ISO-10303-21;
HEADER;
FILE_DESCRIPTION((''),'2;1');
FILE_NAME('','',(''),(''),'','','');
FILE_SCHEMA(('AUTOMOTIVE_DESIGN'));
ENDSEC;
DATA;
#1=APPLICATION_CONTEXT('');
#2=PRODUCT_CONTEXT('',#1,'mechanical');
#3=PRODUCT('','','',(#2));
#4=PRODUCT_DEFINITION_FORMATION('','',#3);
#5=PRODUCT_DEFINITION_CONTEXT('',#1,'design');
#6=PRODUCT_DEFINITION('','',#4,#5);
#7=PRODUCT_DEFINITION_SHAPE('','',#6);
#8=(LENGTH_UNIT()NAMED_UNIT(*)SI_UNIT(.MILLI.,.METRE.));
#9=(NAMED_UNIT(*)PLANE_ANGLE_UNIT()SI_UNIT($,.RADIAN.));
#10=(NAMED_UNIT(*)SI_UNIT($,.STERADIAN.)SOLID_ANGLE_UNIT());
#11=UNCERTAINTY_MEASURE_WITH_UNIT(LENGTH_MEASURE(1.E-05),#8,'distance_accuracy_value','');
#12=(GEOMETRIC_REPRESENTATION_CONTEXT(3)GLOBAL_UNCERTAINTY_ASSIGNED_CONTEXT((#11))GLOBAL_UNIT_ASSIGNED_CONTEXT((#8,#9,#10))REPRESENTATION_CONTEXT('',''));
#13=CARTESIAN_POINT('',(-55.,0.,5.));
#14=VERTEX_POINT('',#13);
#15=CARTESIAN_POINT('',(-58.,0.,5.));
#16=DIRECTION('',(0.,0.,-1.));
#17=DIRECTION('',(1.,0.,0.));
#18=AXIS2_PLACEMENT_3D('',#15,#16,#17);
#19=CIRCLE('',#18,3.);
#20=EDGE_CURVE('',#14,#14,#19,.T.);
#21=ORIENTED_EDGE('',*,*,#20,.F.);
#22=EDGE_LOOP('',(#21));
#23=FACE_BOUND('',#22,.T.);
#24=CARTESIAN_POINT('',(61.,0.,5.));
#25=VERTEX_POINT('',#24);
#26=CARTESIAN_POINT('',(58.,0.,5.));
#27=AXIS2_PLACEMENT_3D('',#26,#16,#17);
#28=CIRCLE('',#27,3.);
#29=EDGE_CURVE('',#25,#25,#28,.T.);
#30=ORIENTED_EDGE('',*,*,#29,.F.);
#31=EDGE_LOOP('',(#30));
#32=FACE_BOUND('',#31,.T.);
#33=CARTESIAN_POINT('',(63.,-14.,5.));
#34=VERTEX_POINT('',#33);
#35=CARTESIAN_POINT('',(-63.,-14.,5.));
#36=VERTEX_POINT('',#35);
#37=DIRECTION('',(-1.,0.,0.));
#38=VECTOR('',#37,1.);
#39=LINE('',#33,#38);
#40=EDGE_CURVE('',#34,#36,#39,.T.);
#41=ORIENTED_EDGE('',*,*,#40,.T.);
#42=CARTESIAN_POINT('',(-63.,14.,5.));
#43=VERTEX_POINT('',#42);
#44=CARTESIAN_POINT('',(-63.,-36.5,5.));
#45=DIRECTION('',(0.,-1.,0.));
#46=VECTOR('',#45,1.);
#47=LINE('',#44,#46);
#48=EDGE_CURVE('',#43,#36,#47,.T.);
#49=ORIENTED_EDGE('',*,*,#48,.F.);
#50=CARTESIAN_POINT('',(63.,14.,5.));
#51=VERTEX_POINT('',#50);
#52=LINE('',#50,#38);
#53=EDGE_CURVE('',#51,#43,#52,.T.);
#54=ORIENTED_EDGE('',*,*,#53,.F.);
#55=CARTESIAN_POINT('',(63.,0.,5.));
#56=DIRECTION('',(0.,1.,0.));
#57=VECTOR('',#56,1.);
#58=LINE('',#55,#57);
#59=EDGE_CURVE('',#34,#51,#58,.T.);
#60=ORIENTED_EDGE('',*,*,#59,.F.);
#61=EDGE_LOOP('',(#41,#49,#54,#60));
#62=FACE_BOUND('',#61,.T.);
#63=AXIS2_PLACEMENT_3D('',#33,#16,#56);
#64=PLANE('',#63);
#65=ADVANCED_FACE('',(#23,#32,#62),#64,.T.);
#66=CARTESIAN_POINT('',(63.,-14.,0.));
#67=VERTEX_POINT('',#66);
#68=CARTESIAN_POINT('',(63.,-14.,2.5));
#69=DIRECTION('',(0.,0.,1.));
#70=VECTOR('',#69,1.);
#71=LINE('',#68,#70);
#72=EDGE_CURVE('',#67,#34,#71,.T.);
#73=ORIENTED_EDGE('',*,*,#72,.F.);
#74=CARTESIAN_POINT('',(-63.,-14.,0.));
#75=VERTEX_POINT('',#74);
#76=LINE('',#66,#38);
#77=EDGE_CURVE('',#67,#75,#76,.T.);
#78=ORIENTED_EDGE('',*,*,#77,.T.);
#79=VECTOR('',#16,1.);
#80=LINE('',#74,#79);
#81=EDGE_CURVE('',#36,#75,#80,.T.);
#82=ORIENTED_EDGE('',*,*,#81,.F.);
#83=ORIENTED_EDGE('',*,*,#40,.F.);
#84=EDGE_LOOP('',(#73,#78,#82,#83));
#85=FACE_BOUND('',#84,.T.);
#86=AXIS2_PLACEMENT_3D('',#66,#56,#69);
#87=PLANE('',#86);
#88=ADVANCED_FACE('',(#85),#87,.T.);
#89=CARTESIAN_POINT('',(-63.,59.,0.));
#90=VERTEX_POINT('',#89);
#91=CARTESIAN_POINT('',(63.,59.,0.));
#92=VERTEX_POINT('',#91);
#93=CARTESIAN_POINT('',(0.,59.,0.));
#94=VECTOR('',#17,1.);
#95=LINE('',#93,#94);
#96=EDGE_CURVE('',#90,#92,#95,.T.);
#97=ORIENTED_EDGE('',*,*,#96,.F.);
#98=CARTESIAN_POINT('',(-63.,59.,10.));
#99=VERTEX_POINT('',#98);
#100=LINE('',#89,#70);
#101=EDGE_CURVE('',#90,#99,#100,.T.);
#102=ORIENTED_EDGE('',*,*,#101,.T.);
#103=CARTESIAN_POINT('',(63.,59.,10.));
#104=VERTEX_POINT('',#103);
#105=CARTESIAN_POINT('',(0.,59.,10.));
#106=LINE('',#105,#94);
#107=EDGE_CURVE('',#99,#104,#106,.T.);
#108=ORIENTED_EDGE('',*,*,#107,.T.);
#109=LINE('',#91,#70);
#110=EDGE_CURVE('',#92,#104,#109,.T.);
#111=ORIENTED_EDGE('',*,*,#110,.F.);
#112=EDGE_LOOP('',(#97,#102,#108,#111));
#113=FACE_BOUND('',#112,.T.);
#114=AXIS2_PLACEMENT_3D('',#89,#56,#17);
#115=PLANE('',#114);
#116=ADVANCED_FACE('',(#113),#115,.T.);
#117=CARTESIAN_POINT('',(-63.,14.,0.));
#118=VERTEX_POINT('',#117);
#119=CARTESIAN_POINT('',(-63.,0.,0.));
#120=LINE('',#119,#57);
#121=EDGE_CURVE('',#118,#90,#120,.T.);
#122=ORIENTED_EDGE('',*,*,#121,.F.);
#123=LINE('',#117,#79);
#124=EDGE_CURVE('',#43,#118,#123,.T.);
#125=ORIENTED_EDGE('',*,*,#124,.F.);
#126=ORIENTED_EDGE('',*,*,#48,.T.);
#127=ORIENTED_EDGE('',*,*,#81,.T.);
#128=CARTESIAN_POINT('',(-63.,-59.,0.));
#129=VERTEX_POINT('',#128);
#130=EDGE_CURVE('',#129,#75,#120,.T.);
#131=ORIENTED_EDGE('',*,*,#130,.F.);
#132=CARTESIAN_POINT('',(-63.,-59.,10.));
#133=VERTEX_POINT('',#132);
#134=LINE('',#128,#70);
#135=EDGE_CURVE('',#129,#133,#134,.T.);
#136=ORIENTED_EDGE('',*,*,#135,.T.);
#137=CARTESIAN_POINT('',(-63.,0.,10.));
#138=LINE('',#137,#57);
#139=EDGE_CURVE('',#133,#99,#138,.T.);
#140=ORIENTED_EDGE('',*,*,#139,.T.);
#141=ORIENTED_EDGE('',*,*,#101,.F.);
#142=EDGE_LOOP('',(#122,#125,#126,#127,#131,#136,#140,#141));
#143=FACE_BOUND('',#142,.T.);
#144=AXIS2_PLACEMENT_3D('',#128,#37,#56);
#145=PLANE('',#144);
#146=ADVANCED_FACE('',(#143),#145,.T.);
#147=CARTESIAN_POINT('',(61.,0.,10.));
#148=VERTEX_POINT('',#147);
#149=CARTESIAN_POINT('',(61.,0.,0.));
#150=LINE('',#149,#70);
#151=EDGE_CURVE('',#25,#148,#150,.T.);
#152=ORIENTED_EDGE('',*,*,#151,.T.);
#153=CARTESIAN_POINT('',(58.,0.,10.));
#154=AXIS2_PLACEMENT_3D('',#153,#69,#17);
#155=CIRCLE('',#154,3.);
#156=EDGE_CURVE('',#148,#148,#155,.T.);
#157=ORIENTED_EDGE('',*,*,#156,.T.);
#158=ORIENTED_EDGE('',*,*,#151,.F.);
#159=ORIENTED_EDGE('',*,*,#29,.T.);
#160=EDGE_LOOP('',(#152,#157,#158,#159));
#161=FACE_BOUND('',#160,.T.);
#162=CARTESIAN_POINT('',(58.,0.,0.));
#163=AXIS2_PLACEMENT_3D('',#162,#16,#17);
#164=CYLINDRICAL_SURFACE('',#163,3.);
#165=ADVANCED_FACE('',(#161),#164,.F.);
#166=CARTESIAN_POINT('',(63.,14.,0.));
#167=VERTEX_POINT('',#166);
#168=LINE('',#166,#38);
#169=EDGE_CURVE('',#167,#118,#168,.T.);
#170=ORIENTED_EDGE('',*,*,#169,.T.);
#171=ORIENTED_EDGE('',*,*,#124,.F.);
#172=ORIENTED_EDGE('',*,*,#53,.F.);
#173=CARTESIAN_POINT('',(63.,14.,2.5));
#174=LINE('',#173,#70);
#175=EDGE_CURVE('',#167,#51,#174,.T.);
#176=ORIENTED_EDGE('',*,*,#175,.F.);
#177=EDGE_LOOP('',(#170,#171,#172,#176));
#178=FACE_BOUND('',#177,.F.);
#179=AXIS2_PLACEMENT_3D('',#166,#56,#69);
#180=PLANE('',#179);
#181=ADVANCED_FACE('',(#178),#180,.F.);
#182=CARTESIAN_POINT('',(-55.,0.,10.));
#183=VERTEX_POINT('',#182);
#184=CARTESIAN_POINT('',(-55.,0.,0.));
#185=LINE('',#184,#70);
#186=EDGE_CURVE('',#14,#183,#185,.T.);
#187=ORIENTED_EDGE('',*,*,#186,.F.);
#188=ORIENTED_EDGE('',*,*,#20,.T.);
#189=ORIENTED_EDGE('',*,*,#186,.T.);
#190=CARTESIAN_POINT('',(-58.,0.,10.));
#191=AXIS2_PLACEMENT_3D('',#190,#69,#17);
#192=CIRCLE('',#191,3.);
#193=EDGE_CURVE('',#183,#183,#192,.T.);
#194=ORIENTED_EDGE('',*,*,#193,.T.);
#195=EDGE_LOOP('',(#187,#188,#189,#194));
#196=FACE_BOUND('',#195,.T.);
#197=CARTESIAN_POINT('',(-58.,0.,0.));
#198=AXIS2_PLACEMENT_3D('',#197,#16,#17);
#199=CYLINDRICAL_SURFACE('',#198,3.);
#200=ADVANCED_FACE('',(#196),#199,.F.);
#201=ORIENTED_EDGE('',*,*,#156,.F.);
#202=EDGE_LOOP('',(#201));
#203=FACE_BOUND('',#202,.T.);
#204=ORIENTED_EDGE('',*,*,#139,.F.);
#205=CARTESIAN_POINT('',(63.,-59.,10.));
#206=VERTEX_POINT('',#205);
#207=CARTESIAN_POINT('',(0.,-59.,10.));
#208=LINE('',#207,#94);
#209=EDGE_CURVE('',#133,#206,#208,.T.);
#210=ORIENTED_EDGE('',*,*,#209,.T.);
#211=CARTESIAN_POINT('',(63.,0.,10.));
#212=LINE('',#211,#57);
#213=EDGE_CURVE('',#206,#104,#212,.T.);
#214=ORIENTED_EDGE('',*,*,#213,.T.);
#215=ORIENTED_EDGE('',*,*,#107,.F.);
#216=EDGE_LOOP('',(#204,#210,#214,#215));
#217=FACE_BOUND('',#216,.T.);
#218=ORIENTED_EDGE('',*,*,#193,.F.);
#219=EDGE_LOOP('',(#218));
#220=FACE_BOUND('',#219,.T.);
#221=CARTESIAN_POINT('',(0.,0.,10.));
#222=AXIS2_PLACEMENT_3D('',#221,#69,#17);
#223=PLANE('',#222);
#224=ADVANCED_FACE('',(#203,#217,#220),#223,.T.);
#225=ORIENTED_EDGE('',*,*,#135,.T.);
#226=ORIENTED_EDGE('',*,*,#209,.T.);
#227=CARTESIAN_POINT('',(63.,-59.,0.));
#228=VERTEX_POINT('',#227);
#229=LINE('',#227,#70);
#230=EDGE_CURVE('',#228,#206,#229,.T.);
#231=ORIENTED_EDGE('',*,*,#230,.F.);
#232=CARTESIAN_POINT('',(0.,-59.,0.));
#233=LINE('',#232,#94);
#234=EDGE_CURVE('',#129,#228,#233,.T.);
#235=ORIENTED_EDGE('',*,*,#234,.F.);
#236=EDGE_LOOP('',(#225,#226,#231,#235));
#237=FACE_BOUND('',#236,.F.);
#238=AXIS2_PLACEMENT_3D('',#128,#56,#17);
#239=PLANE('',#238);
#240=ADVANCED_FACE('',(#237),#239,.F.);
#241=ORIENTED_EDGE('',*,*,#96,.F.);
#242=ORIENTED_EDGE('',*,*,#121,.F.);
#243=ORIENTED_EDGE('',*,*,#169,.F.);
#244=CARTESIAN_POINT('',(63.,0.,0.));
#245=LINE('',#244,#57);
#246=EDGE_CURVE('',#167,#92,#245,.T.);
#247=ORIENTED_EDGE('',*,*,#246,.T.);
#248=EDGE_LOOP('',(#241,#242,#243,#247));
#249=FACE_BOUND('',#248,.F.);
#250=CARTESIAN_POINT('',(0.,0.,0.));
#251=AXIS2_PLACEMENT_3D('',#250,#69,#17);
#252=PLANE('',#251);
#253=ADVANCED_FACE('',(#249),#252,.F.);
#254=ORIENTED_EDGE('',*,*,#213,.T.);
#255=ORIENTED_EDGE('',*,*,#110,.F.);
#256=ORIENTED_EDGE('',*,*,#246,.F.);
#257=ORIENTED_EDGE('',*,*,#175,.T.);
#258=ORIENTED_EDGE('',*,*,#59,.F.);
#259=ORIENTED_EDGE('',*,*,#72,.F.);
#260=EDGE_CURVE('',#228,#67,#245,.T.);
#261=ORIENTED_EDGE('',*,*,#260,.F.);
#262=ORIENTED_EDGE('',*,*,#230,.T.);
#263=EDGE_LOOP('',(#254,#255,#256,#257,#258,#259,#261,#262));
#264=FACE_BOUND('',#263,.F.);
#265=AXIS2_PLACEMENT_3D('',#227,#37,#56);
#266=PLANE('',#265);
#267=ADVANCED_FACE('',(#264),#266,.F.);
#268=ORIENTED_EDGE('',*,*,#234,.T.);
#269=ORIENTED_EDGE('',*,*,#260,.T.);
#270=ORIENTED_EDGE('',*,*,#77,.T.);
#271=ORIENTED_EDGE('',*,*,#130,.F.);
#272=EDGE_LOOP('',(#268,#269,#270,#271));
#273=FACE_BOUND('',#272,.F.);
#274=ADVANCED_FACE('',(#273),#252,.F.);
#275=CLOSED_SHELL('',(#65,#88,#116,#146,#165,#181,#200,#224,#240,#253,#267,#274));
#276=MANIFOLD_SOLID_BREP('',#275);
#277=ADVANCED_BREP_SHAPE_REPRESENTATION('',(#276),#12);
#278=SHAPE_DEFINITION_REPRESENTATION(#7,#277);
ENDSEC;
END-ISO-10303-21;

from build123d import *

# Parameters (mm, degrees)
F0_W     = 126
F0_H     = 118
F0_R     = 3
F1_DEPTH = 10
F2_W     = 28
F2_H     = 5
F3_DEPTH = 126.001


with BuildPart() as f1:
    # F0 (on Top) → F1 (new body)
    with BuildSketch(Plane.XY):
        Rectangle(F0_W, F0_H)
        with Locations((-58, 0)):
            Circle(F0_R, mode=Mode.SUBTRACT)
        with Locations((58, 0)):
            Circle(F0_R, mode=Mode.SUBTRACT)
    extrude(amount=F1_DEPTH)

    # F2 (on face) → F3 (cut, through all)
    with BuildSketch(Plane.YZ.offset(63)):
        with Locations((0, 2.5)):
            Rectangle(F2_W, F2_H)
    extrude(amount=-F3_DEPTH, mode=Mode.SUBTRACT)


solid = f1.part
